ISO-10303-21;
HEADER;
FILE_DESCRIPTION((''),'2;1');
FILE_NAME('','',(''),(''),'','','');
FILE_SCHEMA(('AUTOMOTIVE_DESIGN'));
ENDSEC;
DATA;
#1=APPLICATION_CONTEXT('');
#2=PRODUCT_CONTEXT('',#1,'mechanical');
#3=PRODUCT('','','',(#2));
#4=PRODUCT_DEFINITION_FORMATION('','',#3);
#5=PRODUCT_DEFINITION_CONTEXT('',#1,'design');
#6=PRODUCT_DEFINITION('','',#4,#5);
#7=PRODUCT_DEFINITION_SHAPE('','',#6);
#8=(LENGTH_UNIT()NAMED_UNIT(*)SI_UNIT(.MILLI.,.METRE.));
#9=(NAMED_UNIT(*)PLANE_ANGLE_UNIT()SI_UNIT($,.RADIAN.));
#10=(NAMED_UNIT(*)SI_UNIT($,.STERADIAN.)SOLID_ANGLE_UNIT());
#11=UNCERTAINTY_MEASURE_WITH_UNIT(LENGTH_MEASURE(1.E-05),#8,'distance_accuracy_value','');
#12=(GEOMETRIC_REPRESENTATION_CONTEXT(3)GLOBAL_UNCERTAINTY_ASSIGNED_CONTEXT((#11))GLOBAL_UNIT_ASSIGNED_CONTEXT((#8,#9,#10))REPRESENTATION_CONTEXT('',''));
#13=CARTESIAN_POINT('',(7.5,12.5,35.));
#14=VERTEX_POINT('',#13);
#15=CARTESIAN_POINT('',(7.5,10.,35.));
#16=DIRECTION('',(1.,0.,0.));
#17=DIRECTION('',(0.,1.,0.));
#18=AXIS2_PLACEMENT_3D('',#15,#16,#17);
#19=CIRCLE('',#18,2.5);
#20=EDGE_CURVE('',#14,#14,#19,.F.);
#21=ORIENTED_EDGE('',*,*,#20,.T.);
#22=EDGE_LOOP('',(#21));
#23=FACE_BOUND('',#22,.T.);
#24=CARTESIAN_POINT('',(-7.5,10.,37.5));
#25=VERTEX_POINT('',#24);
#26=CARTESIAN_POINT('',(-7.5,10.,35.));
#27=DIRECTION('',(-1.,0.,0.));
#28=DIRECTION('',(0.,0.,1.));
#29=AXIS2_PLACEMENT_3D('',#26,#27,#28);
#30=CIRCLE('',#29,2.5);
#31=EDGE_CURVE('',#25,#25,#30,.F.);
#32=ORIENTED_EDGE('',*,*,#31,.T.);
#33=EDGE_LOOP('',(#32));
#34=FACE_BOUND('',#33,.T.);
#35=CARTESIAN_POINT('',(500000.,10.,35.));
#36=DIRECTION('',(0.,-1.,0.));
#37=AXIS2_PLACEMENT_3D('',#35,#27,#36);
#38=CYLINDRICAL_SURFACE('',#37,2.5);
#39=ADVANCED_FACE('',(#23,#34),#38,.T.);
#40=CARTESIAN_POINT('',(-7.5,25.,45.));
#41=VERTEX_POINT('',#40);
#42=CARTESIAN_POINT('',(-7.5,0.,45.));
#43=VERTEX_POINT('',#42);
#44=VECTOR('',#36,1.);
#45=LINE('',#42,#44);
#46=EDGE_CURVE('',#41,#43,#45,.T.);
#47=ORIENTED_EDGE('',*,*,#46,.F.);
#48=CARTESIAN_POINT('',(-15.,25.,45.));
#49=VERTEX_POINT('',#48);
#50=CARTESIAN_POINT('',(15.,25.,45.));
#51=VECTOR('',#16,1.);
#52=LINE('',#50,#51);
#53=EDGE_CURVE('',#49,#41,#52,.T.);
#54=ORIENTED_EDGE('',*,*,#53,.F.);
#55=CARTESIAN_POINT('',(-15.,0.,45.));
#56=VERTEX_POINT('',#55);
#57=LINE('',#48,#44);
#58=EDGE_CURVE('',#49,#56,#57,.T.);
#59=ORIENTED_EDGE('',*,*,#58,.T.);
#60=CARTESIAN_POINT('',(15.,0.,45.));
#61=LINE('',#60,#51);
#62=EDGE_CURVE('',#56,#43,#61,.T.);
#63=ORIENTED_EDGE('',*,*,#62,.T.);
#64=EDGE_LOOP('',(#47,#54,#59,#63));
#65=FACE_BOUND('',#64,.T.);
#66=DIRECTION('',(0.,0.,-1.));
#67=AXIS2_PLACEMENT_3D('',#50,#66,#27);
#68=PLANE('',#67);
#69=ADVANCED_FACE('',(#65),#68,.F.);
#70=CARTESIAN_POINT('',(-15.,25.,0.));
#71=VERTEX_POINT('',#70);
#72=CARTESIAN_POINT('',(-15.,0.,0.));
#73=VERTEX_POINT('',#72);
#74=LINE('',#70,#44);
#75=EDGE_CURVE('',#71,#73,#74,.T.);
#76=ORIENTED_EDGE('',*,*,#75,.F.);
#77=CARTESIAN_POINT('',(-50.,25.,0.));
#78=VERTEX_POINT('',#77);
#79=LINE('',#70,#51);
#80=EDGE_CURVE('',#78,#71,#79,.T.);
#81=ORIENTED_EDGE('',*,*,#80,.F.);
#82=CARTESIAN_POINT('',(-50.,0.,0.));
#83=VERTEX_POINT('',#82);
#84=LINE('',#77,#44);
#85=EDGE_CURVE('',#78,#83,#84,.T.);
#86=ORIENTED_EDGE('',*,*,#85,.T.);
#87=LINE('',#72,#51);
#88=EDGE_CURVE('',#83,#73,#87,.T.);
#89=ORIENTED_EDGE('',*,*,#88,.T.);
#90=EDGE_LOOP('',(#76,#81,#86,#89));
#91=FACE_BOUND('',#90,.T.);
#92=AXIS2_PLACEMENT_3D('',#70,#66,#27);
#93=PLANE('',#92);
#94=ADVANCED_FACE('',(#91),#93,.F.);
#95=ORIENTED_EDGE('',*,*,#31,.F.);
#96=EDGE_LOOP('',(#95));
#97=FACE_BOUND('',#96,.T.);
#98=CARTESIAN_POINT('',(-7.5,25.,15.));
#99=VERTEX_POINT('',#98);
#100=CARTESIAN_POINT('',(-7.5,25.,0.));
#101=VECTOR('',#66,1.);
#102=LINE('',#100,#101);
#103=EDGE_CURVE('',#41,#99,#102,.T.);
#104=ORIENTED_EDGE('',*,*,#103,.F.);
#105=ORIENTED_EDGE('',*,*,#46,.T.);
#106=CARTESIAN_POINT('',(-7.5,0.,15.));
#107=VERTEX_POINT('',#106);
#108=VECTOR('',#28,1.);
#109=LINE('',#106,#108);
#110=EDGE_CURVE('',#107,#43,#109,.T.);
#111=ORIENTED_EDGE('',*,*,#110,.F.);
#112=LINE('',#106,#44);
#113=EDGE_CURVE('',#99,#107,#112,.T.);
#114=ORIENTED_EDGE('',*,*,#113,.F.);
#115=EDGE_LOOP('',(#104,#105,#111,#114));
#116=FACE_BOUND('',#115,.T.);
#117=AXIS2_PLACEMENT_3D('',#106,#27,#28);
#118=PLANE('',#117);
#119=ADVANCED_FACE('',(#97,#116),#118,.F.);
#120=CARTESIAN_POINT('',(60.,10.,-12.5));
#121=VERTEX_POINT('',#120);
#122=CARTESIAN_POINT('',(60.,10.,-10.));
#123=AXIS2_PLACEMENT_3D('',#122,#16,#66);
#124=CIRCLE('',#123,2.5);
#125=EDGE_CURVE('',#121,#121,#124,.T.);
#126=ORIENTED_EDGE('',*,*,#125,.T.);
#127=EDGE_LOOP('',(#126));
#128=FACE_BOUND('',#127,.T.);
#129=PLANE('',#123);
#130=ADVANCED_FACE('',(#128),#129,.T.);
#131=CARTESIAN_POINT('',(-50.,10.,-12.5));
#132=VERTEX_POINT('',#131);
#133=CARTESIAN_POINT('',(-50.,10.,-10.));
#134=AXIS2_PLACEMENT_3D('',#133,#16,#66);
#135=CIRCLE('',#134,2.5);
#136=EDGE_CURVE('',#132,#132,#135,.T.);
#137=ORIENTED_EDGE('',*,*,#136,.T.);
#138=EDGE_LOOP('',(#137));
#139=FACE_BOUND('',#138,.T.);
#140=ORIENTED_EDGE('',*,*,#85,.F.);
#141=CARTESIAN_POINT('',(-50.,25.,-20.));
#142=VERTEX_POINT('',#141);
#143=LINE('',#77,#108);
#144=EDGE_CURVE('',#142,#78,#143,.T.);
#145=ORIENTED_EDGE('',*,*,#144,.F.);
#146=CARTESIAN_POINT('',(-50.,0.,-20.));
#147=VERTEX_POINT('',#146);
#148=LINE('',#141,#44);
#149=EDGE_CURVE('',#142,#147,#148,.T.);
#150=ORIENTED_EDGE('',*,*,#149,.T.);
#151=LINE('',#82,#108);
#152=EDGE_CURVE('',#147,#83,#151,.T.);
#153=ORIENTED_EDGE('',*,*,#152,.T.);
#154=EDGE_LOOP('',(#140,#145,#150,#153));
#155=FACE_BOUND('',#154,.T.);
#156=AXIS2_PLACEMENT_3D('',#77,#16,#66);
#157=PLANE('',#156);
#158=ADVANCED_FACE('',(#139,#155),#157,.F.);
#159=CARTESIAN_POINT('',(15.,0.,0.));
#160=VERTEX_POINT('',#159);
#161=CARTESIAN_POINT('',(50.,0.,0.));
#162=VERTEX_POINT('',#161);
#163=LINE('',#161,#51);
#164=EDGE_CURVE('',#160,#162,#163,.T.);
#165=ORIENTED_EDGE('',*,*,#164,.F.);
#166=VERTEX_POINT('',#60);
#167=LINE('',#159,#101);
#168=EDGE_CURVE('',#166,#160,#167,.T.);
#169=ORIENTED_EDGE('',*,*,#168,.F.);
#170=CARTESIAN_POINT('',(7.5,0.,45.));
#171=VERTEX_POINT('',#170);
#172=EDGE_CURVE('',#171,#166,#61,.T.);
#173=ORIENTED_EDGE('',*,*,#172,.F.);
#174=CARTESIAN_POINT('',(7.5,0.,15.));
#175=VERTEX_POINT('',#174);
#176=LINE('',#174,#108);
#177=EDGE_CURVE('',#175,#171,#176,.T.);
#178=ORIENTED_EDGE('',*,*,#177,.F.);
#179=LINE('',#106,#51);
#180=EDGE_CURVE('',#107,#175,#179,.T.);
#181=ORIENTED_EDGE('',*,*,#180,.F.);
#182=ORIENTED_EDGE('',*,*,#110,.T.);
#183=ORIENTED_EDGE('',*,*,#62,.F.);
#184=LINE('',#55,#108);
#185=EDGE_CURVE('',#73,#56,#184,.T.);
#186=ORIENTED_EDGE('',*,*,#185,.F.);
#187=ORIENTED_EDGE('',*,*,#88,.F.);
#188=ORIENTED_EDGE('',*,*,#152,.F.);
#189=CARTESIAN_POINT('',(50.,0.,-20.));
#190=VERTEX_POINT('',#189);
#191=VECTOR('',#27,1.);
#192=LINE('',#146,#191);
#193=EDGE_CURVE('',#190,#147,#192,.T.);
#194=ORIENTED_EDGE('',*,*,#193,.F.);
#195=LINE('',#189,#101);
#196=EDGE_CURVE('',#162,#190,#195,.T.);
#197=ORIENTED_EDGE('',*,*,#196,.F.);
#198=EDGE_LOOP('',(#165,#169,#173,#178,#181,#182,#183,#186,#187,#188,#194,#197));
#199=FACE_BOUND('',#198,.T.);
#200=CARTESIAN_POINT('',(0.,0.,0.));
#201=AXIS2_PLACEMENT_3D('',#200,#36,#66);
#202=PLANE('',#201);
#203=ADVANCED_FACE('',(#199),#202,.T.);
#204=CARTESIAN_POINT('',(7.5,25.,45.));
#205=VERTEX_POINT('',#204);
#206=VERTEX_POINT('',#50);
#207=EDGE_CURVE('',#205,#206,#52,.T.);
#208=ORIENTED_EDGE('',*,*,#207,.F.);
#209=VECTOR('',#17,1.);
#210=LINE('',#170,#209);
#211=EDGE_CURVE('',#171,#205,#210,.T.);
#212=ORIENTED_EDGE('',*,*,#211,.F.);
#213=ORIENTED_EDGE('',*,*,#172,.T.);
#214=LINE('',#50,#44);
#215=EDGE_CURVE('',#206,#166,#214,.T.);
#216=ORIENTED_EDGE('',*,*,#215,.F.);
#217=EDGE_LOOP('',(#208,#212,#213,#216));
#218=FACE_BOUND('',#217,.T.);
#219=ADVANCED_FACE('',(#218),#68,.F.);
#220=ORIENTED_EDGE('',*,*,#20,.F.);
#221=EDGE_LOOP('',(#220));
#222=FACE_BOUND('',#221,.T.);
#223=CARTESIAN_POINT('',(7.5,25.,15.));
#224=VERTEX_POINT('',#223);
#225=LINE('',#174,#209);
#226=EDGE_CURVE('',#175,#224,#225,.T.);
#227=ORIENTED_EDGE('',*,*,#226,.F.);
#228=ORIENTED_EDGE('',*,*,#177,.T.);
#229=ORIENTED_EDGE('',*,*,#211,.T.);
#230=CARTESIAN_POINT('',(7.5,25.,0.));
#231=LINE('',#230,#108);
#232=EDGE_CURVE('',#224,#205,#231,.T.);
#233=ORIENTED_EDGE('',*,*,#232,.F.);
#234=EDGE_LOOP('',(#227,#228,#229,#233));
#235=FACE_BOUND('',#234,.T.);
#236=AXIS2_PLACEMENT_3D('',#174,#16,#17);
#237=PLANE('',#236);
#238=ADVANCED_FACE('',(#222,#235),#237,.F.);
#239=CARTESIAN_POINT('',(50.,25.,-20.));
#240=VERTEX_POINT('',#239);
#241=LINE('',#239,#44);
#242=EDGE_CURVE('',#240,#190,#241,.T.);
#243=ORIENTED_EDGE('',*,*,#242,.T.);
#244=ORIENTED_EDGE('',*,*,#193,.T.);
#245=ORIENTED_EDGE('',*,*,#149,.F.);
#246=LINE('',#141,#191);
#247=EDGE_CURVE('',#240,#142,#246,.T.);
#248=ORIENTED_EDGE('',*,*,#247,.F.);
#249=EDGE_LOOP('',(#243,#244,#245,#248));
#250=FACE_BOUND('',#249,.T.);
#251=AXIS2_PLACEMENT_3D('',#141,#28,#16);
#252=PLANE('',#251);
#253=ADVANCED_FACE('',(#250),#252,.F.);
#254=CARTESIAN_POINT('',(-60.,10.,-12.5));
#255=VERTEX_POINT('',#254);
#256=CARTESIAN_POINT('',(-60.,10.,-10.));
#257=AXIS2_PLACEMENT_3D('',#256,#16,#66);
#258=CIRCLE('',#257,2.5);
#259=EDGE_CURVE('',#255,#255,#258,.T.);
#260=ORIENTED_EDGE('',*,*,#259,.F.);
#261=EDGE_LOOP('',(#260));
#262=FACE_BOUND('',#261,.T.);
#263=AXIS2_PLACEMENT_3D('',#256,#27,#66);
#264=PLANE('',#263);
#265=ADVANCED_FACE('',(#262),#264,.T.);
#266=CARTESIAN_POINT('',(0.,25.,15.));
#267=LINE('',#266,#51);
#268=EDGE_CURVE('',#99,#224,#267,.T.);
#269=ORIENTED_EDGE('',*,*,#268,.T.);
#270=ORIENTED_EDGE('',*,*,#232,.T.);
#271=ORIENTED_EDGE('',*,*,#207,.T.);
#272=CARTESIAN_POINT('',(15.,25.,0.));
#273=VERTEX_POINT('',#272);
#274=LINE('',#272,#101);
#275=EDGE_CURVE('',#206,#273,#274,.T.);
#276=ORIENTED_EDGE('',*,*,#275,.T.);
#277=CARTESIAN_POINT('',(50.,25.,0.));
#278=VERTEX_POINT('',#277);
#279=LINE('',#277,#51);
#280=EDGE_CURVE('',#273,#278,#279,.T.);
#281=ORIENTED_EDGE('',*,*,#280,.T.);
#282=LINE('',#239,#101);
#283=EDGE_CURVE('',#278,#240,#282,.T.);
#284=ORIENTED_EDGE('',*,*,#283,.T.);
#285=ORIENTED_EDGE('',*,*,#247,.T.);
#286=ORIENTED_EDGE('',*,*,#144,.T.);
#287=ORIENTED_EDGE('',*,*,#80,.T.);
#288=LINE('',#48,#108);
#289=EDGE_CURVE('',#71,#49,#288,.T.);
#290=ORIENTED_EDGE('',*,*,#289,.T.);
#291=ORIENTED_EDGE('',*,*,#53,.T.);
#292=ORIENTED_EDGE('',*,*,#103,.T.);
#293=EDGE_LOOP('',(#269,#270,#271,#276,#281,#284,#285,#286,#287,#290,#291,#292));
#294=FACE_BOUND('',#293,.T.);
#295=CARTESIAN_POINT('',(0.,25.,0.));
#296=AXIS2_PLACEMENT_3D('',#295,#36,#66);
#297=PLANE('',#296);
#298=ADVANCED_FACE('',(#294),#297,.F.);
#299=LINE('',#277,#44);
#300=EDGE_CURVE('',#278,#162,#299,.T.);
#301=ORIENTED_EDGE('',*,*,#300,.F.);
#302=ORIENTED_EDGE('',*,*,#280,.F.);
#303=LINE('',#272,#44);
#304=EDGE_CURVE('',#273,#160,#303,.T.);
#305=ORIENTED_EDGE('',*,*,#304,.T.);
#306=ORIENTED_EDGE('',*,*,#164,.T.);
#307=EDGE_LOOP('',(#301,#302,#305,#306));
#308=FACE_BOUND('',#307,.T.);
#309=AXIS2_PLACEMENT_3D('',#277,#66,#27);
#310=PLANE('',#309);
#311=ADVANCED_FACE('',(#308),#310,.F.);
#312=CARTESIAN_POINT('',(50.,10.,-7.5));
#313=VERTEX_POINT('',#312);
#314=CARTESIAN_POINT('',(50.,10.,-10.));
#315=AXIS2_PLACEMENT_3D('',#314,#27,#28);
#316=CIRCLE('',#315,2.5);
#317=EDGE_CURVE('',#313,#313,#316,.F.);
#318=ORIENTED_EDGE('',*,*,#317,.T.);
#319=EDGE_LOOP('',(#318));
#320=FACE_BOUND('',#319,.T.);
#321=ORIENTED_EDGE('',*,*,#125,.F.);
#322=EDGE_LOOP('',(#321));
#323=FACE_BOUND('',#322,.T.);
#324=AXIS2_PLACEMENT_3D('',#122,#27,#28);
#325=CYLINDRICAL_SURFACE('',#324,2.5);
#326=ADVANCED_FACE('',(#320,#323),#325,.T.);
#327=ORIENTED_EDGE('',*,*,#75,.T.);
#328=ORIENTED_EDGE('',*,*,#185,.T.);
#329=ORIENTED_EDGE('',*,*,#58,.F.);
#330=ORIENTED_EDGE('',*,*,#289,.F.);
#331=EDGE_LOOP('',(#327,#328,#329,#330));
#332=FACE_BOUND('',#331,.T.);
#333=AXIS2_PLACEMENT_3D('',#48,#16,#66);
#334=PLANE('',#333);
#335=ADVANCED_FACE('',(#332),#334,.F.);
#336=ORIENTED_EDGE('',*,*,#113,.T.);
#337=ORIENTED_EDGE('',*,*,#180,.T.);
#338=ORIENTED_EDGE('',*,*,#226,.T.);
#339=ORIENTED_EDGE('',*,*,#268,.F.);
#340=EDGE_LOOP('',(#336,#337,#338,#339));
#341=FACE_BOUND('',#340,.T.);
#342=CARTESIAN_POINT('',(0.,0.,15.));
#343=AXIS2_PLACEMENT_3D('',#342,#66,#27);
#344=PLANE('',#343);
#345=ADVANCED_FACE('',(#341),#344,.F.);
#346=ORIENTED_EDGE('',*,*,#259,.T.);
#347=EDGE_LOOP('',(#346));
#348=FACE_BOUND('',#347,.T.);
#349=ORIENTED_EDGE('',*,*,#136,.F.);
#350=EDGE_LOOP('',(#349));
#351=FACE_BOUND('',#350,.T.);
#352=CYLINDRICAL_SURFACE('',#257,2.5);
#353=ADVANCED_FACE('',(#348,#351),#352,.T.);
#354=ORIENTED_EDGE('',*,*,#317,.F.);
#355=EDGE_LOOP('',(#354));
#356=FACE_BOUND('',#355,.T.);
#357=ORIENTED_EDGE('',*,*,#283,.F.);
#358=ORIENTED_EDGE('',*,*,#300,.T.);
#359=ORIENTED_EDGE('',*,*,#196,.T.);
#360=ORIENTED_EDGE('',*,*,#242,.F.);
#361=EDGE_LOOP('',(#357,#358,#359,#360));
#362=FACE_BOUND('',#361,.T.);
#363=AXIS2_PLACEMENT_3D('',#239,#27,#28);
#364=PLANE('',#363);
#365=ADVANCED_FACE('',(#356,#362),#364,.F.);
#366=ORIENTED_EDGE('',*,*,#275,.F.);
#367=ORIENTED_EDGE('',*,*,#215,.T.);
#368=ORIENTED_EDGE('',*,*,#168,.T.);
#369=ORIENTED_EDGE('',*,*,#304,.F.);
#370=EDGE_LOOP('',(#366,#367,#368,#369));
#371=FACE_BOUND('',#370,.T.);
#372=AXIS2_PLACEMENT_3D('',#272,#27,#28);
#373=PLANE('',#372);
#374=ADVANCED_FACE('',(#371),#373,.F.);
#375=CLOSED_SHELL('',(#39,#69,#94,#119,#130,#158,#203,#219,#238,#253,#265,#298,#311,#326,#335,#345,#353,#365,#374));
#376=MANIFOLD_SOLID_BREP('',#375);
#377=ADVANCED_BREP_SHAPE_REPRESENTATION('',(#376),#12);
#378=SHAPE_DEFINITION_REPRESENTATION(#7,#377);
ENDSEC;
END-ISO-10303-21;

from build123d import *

# Parameters (mm, degrees)
BOSS_EXTRUDE1_DEPTH = 25
SKETCH2_W           = 15
SKETCH2_H           = 30
CUT_EXTRUDE1_DEPTH  = 30
SKETCH3_R           = 2.5
BOSS_EXTRUDE2_DEPTH = 10
BOSS_EXTRUDE3_REACH = 69.5
SKETCH5_R           = 2.5


with BuildPart() as part:
    # Sketch1 → Boss-Extrude1 (new body)
    with BuildSketch(Plane(origin=(0, 0, 0), x_dir=(1, 0, 0), z_dir=(0, 1, 0))):
        Polygon((-50, 20), (50, 20), (50, 0), (15, 0), (15, -45), (-15, -45), (-15, 0), (-50, 0), align=None)
    extrude(amount=BOSS_EXTRUDE1_DEPTH)

    # Sketch2 → Cut-Extrude1 (cut)
    with BuildSketch(Plane.XY.offset(45)):
        with Locations((0, 15)):
            Rectangle(SKETCH2_W, SKETCH2_H)
    extrude(amount=-CUT_EXTRUDE1_DEPTH, mode=Mode.SUBTRACT)

    # Sketch3 → Boss-Extrude2 (add)
    with BuildSketch(Plane(origin=(50, 0, 0), x_dir=(0, 0, -1), z_dir=(1, 0, 0))):
        with Locations((10, 10)):
            Circle(SKETCH3_R)
    boss_extrude2 = extrude(amount=BOSS_EXTRUDE2_DEPTH)

    # Mirror1: Boss-Extrude2 across plane
    add(boss_extrude2.mirror(Plane(origin=(0, 0, 0), x_dir=(0, 0, 1), z_dir=(1, 0, 0))))

    # Sketch5 → Boss-Extrude3 (add, up to next)
    with BuildSketch(Plane(origin=(-7.5, 0, 0), x_dir=(0, 0, -1), z_dir=(1, 0, 0)), mode=Mode.PRIVATE) as boss_extrude3_sk1:
        with Locations((-35, 10)):
            Circle(SKETCH5_R)
    boss_extrude3_tool1 = extrude(boss_extrude3_sk1.sketch, amount=BOSS_EXTRUDE3_REACH, mode=Mode.PRIVATE) - part.part
    add(boss_extrude3_tool1.solids().sort_by_distance((-7.5, 10, 35))[0])


solid = part.part
